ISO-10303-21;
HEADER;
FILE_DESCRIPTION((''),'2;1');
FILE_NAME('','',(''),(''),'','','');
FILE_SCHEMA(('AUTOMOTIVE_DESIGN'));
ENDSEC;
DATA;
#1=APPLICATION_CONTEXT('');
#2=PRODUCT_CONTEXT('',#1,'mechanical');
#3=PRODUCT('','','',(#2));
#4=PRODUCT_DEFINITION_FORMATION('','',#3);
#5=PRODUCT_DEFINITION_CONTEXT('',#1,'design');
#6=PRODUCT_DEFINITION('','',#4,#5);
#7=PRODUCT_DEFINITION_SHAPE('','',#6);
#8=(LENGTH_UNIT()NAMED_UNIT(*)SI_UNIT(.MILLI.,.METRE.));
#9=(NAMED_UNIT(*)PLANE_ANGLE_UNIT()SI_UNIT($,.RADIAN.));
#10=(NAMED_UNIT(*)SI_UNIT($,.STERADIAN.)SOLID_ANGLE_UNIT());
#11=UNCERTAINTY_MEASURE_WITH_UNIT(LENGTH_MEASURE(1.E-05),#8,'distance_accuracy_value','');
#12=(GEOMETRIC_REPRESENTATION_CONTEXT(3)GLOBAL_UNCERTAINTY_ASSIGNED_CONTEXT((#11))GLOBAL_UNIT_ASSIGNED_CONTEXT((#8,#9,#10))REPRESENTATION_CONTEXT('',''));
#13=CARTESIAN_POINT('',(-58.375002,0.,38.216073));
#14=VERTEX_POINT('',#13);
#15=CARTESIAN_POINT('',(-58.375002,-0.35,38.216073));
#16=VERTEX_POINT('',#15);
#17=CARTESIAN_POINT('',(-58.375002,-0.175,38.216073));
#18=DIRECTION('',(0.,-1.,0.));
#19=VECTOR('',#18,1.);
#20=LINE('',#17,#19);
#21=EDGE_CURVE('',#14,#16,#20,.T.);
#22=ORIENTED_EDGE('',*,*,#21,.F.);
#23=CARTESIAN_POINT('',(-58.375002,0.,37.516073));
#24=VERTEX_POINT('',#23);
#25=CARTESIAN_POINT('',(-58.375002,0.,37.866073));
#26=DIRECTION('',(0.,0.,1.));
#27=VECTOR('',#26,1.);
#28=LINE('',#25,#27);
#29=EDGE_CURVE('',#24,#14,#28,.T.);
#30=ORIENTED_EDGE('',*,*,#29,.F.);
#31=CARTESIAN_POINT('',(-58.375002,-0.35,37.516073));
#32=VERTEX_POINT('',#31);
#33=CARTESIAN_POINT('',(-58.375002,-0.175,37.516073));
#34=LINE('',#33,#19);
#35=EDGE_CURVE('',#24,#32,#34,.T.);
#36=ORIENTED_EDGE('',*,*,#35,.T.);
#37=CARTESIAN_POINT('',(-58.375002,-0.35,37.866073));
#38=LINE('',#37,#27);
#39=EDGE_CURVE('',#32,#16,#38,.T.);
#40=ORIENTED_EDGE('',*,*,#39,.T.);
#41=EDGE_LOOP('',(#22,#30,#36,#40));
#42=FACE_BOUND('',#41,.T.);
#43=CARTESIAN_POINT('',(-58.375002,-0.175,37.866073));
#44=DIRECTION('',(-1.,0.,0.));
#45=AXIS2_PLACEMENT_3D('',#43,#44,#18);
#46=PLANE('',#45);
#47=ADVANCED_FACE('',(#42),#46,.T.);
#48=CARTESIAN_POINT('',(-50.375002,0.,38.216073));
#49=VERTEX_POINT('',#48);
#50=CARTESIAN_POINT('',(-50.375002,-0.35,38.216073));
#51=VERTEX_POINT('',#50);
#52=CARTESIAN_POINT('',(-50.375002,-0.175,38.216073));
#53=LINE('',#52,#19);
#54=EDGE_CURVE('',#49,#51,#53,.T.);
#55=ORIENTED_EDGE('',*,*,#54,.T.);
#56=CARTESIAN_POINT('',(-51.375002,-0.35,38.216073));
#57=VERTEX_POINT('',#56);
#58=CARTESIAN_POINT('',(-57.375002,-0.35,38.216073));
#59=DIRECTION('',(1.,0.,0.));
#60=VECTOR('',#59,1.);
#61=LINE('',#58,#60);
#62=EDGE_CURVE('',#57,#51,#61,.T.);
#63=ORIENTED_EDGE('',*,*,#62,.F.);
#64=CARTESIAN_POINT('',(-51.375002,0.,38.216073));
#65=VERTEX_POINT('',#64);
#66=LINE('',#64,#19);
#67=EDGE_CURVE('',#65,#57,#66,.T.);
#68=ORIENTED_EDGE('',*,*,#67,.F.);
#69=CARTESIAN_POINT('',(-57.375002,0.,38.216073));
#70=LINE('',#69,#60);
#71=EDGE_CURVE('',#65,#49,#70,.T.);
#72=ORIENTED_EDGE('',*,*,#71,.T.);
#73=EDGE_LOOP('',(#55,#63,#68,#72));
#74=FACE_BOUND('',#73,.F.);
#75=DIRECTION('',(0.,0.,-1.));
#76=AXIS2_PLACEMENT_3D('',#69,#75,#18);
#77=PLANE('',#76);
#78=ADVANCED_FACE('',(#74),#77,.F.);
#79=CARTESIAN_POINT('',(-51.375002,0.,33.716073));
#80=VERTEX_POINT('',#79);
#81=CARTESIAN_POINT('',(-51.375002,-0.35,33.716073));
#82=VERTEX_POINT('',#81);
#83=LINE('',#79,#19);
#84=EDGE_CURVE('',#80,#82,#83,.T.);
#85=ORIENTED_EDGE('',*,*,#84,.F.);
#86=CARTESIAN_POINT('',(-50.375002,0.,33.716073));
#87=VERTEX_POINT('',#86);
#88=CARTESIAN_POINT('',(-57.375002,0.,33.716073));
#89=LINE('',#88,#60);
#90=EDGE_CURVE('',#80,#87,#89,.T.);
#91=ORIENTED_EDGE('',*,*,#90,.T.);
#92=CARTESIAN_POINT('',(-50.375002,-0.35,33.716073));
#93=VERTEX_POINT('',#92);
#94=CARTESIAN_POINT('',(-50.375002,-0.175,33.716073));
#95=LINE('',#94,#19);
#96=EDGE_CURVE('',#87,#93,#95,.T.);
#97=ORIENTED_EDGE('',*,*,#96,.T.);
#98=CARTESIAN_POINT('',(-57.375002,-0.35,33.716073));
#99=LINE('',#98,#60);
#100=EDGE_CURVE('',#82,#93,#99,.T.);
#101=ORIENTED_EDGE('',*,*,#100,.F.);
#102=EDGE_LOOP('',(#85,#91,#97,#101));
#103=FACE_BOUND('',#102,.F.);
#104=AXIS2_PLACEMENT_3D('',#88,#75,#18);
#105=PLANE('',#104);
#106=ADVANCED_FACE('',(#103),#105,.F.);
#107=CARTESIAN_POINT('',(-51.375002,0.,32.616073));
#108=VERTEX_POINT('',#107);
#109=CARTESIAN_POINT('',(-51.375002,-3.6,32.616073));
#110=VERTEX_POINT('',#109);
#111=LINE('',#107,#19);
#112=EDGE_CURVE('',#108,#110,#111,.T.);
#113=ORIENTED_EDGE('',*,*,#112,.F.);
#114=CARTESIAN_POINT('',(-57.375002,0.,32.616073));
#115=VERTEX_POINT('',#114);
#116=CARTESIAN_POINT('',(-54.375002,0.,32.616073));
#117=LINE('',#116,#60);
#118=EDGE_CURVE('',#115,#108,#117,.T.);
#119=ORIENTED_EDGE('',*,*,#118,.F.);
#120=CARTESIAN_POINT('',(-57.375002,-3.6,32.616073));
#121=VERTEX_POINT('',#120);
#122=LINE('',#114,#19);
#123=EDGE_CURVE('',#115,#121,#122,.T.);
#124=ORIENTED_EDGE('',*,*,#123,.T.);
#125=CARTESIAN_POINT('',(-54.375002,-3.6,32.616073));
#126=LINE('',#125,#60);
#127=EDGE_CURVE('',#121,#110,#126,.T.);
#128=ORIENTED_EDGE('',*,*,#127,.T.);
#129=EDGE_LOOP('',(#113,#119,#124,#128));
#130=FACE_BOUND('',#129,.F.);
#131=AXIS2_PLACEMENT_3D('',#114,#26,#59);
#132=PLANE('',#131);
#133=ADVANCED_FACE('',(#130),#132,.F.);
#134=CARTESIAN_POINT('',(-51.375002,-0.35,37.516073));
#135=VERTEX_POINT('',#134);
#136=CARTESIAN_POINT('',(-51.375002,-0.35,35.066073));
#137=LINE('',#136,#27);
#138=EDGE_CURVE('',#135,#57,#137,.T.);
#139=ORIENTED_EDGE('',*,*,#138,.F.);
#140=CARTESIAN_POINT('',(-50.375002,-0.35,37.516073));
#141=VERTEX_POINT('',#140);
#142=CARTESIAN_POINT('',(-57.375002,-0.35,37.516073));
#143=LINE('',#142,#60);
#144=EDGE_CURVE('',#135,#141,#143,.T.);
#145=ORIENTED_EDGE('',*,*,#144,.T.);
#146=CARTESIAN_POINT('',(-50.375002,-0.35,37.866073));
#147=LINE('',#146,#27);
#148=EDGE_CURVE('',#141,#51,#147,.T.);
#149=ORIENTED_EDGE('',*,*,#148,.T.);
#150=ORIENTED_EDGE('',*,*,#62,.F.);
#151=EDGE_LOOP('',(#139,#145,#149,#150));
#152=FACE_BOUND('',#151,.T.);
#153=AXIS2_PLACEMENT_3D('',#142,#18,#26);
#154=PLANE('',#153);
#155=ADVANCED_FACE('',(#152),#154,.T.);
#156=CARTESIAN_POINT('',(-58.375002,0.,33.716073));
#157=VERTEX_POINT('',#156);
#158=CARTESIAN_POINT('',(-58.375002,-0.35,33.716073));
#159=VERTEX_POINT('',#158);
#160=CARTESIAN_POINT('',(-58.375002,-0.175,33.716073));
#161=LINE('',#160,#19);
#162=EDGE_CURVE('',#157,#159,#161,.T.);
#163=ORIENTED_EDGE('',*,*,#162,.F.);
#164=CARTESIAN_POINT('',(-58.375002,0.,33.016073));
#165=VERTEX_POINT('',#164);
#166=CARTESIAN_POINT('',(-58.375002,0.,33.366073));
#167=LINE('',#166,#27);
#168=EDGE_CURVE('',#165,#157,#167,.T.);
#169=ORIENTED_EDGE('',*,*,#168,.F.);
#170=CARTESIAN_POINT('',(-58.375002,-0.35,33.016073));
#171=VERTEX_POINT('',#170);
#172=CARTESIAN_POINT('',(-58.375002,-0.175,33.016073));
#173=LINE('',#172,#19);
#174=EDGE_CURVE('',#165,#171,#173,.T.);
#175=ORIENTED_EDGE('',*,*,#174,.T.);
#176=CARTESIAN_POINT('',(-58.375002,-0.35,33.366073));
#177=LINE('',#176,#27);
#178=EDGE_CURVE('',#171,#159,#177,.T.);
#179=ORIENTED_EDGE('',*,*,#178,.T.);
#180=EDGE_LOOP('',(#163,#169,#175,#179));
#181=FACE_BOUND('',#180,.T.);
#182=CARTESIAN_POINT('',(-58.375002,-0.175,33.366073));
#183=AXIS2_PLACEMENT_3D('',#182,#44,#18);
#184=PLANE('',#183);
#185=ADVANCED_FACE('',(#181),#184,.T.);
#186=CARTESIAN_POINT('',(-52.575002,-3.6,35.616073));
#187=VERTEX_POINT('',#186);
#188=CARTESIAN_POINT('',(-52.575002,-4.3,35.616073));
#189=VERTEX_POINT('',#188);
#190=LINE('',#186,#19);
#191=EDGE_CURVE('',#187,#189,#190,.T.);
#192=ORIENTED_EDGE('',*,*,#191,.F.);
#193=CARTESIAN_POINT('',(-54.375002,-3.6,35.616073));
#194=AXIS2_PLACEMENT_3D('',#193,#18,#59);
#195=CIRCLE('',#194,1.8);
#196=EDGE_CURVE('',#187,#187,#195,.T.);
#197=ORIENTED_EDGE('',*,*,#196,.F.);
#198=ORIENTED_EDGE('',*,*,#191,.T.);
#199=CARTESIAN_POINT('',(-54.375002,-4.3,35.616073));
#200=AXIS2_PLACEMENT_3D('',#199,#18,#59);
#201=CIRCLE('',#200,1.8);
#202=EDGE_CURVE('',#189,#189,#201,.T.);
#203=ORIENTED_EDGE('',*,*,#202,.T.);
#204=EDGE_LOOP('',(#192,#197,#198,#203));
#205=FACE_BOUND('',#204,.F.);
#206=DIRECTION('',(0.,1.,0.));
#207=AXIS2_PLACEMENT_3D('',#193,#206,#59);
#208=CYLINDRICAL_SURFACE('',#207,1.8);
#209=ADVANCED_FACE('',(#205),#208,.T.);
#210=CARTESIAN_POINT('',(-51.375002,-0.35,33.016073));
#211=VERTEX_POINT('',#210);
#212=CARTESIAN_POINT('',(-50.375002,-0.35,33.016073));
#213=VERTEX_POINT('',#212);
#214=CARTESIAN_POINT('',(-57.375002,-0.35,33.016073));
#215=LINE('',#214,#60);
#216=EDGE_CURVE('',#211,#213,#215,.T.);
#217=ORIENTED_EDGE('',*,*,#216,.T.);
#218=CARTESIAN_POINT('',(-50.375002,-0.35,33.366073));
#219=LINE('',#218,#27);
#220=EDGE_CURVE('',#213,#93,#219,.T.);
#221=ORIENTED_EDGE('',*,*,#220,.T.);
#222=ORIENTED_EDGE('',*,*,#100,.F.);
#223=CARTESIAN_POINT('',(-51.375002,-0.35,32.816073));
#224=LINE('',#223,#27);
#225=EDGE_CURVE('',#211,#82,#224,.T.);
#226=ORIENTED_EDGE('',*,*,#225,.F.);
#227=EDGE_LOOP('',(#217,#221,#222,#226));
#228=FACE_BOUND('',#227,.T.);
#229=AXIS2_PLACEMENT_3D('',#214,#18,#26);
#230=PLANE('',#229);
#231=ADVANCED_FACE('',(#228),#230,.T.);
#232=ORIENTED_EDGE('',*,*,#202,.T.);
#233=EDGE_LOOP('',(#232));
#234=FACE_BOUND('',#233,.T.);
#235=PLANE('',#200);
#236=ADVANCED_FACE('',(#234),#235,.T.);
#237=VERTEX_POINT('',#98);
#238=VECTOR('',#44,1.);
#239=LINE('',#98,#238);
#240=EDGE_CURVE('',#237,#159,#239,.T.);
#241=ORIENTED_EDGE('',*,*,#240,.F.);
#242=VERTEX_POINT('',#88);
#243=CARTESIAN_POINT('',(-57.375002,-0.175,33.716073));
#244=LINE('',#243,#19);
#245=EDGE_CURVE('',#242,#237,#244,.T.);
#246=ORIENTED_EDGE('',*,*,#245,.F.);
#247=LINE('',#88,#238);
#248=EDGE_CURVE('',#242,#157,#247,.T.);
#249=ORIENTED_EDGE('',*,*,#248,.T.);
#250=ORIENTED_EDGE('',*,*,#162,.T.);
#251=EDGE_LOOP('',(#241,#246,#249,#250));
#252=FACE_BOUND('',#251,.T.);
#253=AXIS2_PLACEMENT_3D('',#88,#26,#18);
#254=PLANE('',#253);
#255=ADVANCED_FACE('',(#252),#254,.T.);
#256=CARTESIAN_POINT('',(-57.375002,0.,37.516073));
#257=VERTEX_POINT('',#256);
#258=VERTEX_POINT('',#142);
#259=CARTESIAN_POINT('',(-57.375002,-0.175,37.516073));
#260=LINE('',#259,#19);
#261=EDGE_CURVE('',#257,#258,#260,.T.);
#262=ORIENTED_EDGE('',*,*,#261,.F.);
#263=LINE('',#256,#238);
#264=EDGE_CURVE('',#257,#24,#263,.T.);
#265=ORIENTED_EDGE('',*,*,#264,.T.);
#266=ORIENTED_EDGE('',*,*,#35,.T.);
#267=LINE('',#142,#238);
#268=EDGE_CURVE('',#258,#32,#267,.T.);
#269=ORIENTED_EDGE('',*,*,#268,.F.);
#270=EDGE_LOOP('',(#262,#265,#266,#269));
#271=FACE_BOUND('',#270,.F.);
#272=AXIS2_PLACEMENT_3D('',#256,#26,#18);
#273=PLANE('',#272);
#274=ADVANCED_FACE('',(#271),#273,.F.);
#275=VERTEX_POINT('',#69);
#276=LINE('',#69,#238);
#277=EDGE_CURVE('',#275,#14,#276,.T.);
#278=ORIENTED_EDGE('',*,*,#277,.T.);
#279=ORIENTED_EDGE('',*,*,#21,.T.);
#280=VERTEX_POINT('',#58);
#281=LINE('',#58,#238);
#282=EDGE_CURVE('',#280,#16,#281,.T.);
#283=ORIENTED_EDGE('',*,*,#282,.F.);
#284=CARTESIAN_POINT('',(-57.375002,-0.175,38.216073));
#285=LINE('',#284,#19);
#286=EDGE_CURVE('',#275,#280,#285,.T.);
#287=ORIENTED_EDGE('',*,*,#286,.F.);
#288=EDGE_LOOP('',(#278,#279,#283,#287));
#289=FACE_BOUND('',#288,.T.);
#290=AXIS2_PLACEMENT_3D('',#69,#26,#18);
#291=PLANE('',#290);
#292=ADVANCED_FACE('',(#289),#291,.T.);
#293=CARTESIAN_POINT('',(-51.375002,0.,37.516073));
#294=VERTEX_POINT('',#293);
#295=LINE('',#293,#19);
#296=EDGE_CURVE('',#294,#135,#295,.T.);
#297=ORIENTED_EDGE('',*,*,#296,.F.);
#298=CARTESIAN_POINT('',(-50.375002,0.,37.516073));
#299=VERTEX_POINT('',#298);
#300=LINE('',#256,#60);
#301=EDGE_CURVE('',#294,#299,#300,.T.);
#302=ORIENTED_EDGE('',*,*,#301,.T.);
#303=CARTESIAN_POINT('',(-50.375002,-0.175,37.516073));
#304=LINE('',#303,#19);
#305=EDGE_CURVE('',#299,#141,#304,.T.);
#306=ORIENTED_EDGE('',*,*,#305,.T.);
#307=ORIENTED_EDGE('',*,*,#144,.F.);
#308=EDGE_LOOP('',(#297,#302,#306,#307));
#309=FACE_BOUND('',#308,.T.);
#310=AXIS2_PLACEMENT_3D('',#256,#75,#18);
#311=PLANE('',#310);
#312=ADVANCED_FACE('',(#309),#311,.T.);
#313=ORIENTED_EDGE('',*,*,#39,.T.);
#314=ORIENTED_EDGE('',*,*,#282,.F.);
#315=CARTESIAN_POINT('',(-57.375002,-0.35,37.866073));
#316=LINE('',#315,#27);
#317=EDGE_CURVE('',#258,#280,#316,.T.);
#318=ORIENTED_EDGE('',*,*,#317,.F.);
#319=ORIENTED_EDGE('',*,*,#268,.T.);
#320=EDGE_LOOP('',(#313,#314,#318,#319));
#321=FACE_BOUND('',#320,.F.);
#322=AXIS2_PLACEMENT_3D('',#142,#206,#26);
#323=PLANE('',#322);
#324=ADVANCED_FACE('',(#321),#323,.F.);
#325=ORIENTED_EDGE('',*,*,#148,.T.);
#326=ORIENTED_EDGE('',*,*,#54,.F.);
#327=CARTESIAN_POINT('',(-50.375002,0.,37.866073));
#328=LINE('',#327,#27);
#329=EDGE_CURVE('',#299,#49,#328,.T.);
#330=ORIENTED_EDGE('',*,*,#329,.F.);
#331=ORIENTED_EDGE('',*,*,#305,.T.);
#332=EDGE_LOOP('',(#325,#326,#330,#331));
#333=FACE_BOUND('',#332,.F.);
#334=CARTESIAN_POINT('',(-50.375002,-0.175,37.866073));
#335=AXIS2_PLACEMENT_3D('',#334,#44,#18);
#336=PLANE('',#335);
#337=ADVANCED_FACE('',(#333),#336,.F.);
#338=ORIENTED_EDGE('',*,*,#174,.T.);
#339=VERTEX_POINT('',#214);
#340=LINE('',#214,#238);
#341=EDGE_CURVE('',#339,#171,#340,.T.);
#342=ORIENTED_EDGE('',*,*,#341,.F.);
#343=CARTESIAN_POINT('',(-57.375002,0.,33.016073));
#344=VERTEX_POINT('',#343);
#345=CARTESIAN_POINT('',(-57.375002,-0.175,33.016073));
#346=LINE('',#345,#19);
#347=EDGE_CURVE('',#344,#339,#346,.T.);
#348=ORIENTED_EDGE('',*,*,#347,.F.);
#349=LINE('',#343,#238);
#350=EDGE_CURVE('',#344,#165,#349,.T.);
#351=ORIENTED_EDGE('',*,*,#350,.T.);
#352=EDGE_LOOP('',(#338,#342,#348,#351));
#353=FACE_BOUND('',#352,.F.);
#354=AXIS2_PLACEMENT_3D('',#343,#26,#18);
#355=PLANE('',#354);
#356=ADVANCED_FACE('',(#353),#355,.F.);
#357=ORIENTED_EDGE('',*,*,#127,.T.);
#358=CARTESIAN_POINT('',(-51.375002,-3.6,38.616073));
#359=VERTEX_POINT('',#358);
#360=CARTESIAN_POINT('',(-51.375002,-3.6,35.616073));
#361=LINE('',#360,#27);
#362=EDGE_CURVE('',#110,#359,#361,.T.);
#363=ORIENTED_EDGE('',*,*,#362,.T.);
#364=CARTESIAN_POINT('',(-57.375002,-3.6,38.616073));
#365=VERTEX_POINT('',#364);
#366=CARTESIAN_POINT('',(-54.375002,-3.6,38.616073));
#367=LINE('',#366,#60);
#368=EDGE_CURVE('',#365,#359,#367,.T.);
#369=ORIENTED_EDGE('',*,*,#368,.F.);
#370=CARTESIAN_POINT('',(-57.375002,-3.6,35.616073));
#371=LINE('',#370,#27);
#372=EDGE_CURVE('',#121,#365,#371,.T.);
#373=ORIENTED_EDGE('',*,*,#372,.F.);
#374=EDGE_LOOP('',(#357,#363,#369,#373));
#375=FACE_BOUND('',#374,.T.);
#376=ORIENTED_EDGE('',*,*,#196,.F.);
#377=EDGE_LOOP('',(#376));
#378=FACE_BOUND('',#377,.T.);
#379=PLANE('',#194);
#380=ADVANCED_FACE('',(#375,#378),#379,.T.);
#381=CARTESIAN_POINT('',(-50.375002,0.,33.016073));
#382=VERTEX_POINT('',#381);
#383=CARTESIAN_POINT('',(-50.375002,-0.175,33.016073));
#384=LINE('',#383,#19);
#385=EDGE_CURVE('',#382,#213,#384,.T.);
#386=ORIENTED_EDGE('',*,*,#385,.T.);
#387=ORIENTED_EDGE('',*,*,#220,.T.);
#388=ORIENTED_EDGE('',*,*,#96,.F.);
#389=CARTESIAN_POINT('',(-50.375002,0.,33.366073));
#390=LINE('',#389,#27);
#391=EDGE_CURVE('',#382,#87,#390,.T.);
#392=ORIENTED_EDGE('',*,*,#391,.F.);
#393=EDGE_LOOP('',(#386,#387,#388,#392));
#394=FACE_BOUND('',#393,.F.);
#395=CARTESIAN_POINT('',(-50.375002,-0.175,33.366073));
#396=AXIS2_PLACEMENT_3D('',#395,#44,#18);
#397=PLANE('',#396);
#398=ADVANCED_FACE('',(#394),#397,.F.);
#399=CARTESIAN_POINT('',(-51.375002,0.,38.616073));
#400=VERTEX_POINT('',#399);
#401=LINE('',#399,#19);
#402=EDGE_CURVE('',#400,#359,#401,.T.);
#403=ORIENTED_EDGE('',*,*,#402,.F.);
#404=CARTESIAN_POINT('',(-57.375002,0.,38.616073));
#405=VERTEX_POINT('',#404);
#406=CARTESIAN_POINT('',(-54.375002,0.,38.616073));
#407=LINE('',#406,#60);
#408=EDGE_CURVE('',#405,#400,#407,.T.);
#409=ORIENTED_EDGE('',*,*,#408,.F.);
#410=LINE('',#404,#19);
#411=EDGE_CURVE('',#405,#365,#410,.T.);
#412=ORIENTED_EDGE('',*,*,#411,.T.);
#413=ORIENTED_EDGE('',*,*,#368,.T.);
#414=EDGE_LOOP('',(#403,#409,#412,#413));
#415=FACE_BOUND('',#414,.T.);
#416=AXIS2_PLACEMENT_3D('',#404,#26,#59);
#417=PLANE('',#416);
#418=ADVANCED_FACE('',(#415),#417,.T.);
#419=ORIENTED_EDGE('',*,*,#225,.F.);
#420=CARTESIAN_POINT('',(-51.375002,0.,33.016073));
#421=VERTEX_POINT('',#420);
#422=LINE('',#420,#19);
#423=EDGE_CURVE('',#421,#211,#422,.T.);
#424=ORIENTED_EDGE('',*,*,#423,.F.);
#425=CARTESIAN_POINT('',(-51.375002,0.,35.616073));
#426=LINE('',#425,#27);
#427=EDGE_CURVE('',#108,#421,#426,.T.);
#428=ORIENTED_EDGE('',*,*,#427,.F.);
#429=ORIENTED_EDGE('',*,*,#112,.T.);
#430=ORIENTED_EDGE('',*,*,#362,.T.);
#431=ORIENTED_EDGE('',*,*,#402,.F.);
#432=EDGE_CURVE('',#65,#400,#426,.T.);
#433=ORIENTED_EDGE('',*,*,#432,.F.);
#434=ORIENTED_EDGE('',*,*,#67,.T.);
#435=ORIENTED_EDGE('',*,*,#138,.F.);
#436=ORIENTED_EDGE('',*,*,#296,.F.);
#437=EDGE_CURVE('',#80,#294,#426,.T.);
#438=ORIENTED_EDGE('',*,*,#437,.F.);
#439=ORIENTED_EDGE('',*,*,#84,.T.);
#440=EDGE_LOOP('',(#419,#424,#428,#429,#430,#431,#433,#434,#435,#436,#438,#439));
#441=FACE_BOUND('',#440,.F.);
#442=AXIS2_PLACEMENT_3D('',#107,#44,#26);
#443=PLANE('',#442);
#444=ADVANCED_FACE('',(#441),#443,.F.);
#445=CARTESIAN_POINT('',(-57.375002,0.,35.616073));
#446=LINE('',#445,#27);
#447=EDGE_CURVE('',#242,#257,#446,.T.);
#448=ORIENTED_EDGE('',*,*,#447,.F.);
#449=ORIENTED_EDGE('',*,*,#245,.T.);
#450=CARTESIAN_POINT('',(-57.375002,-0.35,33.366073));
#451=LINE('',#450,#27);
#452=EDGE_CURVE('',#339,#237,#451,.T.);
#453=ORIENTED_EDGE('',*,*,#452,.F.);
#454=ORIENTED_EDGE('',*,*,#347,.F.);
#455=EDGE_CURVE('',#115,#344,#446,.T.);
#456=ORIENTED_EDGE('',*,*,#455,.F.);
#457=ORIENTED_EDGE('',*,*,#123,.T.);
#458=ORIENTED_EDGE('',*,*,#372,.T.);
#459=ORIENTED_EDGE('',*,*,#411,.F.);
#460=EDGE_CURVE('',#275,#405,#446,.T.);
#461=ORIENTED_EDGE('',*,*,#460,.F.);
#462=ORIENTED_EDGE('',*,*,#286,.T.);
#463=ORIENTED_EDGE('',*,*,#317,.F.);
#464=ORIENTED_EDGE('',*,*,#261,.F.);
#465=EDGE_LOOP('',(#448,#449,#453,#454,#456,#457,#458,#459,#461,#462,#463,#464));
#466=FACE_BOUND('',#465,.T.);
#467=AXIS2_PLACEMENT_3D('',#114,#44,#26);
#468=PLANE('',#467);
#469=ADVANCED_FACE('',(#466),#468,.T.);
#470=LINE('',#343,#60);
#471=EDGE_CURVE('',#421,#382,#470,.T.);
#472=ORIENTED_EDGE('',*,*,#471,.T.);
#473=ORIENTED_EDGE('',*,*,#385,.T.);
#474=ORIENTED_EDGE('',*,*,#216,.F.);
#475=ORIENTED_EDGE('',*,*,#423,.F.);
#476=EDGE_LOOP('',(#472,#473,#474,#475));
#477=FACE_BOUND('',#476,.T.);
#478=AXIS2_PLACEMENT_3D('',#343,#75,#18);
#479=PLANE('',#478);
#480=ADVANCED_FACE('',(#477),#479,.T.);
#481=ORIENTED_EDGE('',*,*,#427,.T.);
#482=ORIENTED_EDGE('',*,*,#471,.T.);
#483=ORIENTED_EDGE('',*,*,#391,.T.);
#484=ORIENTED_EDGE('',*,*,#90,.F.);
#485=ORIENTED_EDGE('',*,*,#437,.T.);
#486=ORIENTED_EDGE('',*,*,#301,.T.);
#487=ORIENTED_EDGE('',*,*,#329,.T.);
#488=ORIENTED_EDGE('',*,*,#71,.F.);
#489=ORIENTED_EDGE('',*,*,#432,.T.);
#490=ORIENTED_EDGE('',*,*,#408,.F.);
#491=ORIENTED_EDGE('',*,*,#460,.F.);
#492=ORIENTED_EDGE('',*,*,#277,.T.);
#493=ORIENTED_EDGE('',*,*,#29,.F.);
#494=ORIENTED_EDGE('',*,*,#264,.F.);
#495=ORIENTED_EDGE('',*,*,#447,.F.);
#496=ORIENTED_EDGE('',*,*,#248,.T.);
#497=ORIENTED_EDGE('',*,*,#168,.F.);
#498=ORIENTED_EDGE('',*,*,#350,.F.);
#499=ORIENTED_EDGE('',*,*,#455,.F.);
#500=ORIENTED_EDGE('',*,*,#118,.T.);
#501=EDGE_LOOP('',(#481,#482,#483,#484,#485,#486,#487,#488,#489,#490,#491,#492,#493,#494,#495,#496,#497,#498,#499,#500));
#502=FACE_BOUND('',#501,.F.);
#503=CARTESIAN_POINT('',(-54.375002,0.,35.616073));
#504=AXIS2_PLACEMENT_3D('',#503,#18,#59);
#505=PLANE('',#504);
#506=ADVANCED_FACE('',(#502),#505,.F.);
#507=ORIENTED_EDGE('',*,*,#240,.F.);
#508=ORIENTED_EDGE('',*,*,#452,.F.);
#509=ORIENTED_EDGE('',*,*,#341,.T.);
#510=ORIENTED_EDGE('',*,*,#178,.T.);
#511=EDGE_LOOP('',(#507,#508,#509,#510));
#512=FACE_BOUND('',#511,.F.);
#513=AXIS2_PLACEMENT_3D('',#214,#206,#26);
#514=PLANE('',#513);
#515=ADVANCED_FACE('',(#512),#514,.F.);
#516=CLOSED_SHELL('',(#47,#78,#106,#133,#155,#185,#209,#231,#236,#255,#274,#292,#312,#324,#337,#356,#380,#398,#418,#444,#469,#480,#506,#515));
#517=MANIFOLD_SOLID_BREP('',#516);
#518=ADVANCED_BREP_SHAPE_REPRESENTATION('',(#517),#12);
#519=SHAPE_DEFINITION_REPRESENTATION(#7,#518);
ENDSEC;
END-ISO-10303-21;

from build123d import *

# Parameters (mm, degrees)
F0_W          = 6
F0_H          = 6
F1_DEPTH      = 3.6
F2_R          = 1.8
F3_DEPTH      = 0.7
F4_W          = 0.35
F4_H          = 0.7
F5_DEPTH      = 1
F5_DEPTH_BACK = 7


with BuildPart() as f1:
    # F0 (on Front) → F1 (new body)
    with BuildSketch(Plane.XZ):
        with Locations((-54.375002, 35.616073)):
            Rectangle(F0_W, F0_H)
    extrude(amount=F1_DEPTH)

    # F2 (on face) → F3 (join)
    with BuildSketch(Plane.XZ.offset(3.6)):
        with Locations((-54.375002, 35.616073)):
            Circle(F2_R)
    extrude(amount=F3_DEPTH)

    # F4 (on face) → F5 (join, two sides)
    with BuildSketch(Plane(origin=(-57.375002, 0, 0), x_dir=(0, -1, 0), z_dir=(-1, 0, 0))) as f5_sk:
        with Locations((0.175, 37.866073)):
            Rectangle(F4_W, F4_H)
        with Locations((0.175, 33.366073)):
            Rectangle(F4_W, F4_H)
    extrude(amount=F5_DEPTH)
    extrude(f5_sk.sketch, amount=-F5_DEPTH_BACK)


solid = f1.part
